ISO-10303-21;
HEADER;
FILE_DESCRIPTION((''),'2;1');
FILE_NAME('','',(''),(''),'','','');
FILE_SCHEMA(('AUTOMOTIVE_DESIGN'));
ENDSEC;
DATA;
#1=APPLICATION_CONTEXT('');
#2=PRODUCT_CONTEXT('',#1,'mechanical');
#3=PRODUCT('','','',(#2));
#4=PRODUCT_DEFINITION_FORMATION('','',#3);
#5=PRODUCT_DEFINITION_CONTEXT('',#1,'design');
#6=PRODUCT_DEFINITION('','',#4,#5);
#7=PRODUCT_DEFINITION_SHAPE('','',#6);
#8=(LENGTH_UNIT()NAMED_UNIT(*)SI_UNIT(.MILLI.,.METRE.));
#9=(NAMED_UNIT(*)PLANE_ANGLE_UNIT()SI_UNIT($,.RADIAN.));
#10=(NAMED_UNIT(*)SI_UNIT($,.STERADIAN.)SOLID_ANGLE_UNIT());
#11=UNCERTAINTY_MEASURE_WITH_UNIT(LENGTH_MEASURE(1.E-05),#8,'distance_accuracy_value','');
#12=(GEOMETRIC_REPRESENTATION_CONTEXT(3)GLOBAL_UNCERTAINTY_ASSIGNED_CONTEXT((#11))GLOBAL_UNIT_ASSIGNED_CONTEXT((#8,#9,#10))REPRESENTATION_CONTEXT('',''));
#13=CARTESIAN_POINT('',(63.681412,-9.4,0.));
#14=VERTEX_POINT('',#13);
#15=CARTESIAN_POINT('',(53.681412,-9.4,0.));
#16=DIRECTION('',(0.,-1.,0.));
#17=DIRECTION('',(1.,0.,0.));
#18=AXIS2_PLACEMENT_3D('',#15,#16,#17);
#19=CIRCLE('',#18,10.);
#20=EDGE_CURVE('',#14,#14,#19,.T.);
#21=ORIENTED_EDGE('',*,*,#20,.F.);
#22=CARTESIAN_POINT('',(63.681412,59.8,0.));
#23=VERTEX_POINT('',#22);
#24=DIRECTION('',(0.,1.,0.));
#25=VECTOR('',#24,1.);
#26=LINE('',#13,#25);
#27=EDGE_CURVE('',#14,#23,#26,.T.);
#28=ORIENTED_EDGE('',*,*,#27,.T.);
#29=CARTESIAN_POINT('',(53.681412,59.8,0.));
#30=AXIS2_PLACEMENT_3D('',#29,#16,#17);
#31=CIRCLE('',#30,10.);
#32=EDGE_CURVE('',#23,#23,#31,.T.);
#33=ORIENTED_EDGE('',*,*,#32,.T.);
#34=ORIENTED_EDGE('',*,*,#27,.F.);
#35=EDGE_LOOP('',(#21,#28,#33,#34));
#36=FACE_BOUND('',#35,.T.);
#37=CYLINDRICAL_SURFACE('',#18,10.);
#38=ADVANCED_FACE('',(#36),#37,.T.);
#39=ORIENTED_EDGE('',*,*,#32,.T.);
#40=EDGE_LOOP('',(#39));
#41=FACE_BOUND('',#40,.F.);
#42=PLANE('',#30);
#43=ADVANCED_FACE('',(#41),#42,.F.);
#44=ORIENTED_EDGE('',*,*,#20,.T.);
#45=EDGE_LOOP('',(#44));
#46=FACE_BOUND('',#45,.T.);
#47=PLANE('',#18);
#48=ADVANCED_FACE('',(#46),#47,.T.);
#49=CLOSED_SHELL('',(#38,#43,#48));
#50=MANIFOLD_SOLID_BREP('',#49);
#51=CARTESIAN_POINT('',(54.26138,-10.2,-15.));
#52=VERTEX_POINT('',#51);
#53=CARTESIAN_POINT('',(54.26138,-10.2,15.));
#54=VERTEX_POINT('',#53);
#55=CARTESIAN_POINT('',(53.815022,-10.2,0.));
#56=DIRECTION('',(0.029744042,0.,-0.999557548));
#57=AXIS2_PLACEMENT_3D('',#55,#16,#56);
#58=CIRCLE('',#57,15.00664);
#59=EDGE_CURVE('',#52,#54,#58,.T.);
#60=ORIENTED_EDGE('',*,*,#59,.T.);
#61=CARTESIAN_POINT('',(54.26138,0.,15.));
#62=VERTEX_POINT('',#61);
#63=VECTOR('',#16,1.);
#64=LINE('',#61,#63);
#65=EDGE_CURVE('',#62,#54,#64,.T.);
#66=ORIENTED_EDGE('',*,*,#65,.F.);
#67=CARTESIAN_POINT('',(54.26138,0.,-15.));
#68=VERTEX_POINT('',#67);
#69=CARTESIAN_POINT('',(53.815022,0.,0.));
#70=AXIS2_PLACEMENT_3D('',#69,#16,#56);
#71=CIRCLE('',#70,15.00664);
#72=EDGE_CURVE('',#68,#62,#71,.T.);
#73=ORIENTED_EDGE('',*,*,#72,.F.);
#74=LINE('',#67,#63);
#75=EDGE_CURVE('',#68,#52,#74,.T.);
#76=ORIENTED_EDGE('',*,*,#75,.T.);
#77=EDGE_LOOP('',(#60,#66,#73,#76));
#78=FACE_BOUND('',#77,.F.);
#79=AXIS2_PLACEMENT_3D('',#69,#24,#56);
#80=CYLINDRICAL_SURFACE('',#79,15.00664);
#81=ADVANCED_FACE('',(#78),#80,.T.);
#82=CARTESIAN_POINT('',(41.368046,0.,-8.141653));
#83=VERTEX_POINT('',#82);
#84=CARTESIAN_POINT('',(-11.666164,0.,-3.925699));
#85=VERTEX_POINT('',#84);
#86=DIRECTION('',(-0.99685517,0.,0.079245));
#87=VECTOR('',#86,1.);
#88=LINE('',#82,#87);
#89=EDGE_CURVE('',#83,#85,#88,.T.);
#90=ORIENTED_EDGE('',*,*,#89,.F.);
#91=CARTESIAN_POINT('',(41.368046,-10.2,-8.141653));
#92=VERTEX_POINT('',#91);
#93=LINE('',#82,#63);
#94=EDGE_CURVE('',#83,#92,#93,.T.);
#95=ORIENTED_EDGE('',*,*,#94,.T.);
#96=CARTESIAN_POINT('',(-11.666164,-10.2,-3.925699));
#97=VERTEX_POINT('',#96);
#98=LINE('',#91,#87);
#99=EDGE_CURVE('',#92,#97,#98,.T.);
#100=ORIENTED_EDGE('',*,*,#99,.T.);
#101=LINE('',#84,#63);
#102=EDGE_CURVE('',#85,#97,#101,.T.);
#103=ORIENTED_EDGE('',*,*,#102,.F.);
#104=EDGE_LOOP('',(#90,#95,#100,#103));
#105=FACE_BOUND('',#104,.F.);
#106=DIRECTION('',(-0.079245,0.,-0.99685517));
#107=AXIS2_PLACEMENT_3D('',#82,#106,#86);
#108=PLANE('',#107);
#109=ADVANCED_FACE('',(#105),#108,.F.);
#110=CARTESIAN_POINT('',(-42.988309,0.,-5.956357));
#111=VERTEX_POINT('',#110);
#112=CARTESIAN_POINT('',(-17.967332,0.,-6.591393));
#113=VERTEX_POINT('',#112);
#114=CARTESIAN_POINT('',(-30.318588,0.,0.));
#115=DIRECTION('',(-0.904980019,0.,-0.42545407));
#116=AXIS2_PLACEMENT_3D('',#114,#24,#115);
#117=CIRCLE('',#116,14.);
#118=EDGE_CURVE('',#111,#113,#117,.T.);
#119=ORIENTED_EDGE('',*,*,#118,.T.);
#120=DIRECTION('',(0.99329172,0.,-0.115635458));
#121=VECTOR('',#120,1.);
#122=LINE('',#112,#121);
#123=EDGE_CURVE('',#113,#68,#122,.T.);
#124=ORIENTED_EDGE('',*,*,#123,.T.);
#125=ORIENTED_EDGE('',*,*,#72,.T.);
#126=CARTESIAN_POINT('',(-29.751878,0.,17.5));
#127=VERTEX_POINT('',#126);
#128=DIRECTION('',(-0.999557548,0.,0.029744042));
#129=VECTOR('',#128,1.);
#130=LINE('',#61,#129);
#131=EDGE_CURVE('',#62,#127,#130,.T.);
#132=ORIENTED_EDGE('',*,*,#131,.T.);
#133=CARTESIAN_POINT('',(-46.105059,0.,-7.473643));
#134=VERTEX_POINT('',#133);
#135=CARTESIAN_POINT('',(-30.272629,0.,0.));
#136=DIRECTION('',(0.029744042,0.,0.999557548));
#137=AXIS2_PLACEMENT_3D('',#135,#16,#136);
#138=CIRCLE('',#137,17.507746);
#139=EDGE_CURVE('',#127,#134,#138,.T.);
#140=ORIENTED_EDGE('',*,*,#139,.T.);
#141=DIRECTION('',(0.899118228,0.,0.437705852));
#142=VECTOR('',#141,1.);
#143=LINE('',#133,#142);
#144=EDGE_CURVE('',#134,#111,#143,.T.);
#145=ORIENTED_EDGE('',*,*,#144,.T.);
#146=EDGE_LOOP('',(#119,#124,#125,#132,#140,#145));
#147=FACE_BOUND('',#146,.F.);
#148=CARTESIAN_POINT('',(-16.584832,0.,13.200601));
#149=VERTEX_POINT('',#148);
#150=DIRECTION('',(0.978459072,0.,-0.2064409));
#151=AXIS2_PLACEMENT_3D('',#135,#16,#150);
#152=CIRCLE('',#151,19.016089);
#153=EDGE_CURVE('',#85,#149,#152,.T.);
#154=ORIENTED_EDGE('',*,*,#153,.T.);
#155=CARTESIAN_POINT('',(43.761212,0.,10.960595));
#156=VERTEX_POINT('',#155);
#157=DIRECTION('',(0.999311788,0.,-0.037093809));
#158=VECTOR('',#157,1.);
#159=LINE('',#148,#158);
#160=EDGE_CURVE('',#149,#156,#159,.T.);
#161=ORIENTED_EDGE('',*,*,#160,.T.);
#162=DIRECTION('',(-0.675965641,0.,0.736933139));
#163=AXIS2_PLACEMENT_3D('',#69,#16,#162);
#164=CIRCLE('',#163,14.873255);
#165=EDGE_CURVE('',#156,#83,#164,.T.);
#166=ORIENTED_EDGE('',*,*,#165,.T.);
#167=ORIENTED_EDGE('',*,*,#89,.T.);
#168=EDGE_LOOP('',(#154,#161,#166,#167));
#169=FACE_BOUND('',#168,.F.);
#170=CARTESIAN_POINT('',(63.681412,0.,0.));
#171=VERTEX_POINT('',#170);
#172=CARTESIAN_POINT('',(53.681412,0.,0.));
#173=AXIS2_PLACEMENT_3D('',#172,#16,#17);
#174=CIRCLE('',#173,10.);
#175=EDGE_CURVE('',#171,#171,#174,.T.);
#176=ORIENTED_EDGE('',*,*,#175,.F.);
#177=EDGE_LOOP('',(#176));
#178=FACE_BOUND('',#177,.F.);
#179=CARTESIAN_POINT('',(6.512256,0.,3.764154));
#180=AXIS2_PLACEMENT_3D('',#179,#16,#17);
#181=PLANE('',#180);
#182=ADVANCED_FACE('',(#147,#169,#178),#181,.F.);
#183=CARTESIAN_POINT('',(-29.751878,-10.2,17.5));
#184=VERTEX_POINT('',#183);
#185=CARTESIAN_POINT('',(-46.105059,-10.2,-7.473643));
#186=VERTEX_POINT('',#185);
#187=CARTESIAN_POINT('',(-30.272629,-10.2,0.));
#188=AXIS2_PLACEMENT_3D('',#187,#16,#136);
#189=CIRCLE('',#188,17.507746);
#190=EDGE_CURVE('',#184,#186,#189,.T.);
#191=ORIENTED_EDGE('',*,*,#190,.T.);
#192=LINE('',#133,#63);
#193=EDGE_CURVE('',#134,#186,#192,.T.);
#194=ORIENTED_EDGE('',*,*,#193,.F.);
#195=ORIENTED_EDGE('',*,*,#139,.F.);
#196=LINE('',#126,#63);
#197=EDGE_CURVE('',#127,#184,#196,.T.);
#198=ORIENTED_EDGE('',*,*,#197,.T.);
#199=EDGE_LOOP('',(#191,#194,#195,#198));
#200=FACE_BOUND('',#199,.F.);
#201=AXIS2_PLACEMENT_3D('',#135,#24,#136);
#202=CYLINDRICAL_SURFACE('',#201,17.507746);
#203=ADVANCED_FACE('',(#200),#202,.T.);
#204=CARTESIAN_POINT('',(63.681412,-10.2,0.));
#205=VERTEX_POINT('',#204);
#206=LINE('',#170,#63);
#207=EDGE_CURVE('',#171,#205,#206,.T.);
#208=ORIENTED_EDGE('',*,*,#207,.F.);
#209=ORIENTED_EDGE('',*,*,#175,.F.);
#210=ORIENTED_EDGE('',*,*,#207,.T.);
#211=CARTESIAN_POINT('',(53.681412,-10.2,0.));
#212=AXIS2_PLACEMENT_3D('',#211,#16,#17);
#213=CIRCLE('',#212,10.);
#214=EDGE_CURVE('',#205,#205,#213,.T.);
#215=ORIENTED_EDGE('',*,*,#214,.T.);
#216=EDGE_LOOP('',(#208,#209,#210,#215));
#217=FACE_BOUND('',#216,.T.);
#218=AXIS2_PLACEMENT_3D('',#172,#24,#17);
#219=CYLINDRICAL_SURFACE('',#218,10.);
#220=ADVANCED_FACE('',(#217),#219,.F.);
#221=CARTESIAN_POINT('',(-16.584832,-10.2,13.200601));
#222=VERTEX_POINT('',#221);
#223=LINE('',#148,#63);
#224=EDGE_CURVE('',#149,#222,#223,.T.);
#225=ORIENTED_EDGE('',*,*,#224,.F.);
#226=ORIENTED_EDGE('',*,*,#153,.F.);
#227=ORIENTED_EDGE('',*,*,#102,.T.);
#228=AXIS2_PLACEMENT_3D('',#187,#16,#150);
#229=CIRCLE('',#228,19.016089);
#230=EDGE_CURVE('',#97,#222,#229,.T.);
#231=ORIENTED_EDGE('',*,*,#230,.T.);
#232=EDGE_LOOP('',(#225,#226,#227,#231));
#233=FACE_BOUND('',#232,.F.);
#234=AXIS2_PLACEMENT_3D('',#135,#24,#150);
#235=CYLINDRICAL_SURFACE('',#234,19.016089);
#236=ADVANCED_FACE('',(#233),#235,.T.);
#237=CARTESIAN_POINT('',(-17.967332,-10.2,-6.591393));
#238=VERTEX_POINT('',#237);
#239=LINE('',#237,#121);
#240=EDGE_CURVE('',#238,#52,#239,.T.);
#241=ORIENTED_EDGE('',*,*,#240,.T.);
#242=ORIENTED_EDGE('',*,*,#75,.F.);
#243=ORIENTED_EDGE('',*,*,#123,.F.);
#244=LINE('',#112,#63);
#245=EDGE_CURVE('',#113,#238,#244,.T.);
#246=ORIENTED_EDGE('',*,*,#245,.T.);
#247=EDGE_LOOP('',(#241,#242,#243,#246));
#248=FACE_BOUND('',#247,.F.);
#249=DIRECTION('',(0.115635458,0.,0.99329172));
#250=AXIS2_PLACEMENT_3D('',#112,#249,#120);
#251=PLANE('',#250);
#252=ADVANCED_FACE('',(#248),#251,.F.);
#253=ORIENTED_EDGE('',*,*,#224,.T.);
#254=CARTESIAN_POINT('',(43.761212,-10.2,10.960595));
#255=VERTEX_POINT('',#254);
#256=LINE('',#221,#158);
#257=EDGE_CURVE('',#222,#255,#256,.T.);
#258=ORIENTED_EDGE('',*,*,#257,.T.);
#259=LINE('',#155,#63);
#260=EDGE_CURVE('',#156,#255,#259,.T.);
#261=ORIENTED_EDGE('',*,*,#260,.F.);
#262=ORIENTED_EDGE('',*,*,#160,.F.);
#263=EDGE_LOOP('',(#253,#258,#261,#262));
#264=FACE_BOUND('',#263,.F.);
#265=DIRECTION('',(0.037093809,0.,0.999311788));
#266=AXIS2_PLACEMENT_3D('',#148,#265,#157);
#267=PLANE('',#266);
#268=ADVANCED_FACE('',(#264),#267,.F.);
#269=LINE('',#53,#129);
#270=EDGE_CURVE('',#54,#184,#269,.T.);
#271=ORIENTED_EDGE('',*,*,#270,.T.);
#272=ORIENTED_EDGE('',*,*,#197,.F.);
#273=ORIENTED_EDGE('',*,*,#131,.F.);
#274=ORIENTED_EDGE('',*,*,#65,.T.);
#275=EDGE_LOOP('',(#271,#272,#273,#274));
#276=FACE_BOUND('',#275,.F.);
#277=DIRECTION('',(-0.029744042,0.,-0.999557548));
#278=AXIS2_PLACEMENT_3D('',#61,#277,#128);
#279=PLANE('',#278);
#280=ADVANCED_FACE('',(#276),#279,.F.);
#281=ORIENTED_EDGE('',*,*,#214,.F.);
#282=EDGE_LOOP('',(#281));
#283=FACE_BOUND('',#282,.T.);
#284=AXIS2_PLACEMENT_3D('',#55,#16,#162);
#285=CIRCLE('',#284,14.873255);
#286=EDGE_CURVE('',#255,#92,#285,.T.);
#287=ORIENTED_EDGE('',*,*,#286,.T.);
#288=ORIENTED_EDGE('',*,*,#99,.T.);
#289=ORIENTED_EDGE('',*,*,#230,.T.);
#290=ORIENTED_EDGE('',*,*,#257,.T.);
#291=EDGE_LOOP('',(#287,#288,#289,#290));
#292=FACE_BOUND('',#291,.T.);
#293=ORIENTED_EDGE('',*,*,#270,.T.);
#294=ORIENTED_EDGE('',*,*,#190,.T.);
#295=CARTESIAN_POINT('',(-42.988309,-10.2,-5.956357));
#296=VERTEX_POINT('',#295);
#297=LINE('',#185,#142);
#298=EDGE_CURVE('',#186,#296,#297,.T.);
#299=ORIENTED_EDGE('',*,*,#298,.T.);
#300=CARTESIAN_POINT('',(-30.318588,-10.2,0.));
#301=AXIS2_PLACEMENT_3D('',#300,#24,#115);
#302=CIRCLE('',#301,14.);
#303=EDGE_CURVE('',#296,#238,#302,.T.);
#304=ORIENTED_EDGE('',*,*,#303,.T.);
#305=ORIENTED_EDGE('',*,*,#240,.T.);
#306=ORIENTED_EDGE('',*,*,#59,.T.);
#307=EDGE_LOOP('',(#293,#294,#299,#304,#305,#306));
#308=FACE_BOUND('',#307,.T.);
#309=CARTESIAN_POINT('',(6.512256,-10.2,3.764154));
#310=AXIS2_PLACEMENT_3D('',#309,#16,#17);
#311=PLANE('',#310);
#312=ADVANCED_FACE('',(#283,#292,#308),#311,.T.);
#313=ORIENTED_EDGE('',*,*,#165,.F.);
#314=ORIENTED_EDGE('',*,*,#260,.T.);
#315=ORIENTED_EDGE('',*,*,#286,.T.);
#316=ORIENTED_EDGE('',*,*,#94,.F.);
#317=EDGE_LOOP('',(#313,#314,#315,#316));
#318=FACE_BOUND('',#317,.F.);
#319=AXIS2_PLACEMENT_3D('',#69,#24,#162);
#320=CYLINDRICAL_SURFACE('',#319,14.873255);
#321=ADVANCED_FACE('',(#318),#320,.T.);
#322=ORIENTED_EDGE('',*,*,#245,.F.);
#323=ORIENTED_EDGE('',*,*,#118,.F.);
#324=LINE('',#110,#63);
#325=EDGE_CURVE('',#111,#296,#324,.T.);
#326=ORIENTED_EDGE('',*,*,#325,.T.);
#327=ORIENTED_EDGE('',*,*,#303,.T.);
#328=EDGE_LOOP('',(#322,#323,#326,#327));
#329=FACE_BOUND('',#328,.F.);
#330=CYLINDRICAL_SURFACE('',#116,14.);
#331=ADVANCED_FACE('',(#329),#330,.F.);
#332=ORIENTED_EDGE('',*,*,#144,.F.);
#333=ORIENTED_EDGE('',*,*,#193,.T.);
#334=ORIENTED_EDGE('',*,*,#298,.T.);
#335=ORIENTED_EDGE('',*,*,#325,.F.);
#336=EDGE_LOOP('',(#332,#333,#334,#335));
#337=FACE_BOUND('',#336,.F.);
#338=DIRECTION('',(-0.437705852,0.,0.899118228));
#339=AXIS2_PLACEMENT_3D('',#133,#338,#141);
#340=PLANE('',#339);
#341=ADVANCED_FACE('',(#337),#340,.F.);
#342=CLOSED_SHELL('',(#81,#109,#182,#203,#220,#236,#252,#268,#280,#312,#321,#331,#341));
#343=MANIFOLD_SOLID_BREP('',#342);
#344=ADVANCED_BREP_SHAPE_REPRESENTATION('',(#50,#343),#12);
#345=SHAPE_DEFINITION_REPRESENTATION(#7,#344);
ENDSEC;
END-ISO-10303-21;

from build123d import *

# Parameters (mm, degrees)
F0_R     = 10
F1_DEPTH = 10.2
F3_START = -0.8
F2_R     = 10
F3_DEPTH = 69.2


with BuildPart() as f1:
    # F0 (on Front) → F1 (new body)
    with BuildSketch(Plane.XZ):
        with BuildLine():
            Line((54.2613800827, 15), (-29.7518782335, 17.5))
            ThreePointArc((-29.7518782335, 17.5), (-44.9195605683, 9.5910681516), (-46.1050592151, -7.4736434883))
            Line((-46.1050592151, -7.4736434883), (-42.9883086577, -5.9563569776))
            ThreePointArc((-42.9883086577, -5.9563569776), (-29.9633810019, 13.9954931213), (-17.9673316068, -6.5913925518))
            Line((-17.9673316068, -6.5913925518), (54.2613800827, -15))
            ThreePointArc((54.2613800827, -15), (68.8216616793, 0), (54.2613800827, 15))
        make_face()
        with Locations((53.6814116058, 0)):
            Circle(F0_R, mode=Mode.SUBTRACT)
        with BuildLine():
            ThreePointArc((-11.6661642238, -3.9256985971), (-11.9953927915, 5.2492168736), (-16.5848323461, 13.2006010246))
            Line((-16.5848323461, 13.2006010246), (43.7612123787, 10.9605947509))
            ThreePointArc((43.7612123787, 10.9605947509), (39.057132376, 1.8488968028), (41.3680460204, -8.1416530468))
            Line((41.3680460204, -8.1416530468), (-11.6661642238, -3.9256985971))
        make_face(mode=Mode.SUBTRACT)
    extrude(amount=F1_DEPTH)


with BuildPart() as f3:
    # F2 (on face) → F3 (new body)
    with BuildSketch(Plane.XZ.offset(10.2).offset(F3_START)):
        with Locations((53.6814116058, 0)):
            Circle(F2_R)
    extrude(amount=-F3_DEPTH)


solid = Compound([f1.part, f3.part])
